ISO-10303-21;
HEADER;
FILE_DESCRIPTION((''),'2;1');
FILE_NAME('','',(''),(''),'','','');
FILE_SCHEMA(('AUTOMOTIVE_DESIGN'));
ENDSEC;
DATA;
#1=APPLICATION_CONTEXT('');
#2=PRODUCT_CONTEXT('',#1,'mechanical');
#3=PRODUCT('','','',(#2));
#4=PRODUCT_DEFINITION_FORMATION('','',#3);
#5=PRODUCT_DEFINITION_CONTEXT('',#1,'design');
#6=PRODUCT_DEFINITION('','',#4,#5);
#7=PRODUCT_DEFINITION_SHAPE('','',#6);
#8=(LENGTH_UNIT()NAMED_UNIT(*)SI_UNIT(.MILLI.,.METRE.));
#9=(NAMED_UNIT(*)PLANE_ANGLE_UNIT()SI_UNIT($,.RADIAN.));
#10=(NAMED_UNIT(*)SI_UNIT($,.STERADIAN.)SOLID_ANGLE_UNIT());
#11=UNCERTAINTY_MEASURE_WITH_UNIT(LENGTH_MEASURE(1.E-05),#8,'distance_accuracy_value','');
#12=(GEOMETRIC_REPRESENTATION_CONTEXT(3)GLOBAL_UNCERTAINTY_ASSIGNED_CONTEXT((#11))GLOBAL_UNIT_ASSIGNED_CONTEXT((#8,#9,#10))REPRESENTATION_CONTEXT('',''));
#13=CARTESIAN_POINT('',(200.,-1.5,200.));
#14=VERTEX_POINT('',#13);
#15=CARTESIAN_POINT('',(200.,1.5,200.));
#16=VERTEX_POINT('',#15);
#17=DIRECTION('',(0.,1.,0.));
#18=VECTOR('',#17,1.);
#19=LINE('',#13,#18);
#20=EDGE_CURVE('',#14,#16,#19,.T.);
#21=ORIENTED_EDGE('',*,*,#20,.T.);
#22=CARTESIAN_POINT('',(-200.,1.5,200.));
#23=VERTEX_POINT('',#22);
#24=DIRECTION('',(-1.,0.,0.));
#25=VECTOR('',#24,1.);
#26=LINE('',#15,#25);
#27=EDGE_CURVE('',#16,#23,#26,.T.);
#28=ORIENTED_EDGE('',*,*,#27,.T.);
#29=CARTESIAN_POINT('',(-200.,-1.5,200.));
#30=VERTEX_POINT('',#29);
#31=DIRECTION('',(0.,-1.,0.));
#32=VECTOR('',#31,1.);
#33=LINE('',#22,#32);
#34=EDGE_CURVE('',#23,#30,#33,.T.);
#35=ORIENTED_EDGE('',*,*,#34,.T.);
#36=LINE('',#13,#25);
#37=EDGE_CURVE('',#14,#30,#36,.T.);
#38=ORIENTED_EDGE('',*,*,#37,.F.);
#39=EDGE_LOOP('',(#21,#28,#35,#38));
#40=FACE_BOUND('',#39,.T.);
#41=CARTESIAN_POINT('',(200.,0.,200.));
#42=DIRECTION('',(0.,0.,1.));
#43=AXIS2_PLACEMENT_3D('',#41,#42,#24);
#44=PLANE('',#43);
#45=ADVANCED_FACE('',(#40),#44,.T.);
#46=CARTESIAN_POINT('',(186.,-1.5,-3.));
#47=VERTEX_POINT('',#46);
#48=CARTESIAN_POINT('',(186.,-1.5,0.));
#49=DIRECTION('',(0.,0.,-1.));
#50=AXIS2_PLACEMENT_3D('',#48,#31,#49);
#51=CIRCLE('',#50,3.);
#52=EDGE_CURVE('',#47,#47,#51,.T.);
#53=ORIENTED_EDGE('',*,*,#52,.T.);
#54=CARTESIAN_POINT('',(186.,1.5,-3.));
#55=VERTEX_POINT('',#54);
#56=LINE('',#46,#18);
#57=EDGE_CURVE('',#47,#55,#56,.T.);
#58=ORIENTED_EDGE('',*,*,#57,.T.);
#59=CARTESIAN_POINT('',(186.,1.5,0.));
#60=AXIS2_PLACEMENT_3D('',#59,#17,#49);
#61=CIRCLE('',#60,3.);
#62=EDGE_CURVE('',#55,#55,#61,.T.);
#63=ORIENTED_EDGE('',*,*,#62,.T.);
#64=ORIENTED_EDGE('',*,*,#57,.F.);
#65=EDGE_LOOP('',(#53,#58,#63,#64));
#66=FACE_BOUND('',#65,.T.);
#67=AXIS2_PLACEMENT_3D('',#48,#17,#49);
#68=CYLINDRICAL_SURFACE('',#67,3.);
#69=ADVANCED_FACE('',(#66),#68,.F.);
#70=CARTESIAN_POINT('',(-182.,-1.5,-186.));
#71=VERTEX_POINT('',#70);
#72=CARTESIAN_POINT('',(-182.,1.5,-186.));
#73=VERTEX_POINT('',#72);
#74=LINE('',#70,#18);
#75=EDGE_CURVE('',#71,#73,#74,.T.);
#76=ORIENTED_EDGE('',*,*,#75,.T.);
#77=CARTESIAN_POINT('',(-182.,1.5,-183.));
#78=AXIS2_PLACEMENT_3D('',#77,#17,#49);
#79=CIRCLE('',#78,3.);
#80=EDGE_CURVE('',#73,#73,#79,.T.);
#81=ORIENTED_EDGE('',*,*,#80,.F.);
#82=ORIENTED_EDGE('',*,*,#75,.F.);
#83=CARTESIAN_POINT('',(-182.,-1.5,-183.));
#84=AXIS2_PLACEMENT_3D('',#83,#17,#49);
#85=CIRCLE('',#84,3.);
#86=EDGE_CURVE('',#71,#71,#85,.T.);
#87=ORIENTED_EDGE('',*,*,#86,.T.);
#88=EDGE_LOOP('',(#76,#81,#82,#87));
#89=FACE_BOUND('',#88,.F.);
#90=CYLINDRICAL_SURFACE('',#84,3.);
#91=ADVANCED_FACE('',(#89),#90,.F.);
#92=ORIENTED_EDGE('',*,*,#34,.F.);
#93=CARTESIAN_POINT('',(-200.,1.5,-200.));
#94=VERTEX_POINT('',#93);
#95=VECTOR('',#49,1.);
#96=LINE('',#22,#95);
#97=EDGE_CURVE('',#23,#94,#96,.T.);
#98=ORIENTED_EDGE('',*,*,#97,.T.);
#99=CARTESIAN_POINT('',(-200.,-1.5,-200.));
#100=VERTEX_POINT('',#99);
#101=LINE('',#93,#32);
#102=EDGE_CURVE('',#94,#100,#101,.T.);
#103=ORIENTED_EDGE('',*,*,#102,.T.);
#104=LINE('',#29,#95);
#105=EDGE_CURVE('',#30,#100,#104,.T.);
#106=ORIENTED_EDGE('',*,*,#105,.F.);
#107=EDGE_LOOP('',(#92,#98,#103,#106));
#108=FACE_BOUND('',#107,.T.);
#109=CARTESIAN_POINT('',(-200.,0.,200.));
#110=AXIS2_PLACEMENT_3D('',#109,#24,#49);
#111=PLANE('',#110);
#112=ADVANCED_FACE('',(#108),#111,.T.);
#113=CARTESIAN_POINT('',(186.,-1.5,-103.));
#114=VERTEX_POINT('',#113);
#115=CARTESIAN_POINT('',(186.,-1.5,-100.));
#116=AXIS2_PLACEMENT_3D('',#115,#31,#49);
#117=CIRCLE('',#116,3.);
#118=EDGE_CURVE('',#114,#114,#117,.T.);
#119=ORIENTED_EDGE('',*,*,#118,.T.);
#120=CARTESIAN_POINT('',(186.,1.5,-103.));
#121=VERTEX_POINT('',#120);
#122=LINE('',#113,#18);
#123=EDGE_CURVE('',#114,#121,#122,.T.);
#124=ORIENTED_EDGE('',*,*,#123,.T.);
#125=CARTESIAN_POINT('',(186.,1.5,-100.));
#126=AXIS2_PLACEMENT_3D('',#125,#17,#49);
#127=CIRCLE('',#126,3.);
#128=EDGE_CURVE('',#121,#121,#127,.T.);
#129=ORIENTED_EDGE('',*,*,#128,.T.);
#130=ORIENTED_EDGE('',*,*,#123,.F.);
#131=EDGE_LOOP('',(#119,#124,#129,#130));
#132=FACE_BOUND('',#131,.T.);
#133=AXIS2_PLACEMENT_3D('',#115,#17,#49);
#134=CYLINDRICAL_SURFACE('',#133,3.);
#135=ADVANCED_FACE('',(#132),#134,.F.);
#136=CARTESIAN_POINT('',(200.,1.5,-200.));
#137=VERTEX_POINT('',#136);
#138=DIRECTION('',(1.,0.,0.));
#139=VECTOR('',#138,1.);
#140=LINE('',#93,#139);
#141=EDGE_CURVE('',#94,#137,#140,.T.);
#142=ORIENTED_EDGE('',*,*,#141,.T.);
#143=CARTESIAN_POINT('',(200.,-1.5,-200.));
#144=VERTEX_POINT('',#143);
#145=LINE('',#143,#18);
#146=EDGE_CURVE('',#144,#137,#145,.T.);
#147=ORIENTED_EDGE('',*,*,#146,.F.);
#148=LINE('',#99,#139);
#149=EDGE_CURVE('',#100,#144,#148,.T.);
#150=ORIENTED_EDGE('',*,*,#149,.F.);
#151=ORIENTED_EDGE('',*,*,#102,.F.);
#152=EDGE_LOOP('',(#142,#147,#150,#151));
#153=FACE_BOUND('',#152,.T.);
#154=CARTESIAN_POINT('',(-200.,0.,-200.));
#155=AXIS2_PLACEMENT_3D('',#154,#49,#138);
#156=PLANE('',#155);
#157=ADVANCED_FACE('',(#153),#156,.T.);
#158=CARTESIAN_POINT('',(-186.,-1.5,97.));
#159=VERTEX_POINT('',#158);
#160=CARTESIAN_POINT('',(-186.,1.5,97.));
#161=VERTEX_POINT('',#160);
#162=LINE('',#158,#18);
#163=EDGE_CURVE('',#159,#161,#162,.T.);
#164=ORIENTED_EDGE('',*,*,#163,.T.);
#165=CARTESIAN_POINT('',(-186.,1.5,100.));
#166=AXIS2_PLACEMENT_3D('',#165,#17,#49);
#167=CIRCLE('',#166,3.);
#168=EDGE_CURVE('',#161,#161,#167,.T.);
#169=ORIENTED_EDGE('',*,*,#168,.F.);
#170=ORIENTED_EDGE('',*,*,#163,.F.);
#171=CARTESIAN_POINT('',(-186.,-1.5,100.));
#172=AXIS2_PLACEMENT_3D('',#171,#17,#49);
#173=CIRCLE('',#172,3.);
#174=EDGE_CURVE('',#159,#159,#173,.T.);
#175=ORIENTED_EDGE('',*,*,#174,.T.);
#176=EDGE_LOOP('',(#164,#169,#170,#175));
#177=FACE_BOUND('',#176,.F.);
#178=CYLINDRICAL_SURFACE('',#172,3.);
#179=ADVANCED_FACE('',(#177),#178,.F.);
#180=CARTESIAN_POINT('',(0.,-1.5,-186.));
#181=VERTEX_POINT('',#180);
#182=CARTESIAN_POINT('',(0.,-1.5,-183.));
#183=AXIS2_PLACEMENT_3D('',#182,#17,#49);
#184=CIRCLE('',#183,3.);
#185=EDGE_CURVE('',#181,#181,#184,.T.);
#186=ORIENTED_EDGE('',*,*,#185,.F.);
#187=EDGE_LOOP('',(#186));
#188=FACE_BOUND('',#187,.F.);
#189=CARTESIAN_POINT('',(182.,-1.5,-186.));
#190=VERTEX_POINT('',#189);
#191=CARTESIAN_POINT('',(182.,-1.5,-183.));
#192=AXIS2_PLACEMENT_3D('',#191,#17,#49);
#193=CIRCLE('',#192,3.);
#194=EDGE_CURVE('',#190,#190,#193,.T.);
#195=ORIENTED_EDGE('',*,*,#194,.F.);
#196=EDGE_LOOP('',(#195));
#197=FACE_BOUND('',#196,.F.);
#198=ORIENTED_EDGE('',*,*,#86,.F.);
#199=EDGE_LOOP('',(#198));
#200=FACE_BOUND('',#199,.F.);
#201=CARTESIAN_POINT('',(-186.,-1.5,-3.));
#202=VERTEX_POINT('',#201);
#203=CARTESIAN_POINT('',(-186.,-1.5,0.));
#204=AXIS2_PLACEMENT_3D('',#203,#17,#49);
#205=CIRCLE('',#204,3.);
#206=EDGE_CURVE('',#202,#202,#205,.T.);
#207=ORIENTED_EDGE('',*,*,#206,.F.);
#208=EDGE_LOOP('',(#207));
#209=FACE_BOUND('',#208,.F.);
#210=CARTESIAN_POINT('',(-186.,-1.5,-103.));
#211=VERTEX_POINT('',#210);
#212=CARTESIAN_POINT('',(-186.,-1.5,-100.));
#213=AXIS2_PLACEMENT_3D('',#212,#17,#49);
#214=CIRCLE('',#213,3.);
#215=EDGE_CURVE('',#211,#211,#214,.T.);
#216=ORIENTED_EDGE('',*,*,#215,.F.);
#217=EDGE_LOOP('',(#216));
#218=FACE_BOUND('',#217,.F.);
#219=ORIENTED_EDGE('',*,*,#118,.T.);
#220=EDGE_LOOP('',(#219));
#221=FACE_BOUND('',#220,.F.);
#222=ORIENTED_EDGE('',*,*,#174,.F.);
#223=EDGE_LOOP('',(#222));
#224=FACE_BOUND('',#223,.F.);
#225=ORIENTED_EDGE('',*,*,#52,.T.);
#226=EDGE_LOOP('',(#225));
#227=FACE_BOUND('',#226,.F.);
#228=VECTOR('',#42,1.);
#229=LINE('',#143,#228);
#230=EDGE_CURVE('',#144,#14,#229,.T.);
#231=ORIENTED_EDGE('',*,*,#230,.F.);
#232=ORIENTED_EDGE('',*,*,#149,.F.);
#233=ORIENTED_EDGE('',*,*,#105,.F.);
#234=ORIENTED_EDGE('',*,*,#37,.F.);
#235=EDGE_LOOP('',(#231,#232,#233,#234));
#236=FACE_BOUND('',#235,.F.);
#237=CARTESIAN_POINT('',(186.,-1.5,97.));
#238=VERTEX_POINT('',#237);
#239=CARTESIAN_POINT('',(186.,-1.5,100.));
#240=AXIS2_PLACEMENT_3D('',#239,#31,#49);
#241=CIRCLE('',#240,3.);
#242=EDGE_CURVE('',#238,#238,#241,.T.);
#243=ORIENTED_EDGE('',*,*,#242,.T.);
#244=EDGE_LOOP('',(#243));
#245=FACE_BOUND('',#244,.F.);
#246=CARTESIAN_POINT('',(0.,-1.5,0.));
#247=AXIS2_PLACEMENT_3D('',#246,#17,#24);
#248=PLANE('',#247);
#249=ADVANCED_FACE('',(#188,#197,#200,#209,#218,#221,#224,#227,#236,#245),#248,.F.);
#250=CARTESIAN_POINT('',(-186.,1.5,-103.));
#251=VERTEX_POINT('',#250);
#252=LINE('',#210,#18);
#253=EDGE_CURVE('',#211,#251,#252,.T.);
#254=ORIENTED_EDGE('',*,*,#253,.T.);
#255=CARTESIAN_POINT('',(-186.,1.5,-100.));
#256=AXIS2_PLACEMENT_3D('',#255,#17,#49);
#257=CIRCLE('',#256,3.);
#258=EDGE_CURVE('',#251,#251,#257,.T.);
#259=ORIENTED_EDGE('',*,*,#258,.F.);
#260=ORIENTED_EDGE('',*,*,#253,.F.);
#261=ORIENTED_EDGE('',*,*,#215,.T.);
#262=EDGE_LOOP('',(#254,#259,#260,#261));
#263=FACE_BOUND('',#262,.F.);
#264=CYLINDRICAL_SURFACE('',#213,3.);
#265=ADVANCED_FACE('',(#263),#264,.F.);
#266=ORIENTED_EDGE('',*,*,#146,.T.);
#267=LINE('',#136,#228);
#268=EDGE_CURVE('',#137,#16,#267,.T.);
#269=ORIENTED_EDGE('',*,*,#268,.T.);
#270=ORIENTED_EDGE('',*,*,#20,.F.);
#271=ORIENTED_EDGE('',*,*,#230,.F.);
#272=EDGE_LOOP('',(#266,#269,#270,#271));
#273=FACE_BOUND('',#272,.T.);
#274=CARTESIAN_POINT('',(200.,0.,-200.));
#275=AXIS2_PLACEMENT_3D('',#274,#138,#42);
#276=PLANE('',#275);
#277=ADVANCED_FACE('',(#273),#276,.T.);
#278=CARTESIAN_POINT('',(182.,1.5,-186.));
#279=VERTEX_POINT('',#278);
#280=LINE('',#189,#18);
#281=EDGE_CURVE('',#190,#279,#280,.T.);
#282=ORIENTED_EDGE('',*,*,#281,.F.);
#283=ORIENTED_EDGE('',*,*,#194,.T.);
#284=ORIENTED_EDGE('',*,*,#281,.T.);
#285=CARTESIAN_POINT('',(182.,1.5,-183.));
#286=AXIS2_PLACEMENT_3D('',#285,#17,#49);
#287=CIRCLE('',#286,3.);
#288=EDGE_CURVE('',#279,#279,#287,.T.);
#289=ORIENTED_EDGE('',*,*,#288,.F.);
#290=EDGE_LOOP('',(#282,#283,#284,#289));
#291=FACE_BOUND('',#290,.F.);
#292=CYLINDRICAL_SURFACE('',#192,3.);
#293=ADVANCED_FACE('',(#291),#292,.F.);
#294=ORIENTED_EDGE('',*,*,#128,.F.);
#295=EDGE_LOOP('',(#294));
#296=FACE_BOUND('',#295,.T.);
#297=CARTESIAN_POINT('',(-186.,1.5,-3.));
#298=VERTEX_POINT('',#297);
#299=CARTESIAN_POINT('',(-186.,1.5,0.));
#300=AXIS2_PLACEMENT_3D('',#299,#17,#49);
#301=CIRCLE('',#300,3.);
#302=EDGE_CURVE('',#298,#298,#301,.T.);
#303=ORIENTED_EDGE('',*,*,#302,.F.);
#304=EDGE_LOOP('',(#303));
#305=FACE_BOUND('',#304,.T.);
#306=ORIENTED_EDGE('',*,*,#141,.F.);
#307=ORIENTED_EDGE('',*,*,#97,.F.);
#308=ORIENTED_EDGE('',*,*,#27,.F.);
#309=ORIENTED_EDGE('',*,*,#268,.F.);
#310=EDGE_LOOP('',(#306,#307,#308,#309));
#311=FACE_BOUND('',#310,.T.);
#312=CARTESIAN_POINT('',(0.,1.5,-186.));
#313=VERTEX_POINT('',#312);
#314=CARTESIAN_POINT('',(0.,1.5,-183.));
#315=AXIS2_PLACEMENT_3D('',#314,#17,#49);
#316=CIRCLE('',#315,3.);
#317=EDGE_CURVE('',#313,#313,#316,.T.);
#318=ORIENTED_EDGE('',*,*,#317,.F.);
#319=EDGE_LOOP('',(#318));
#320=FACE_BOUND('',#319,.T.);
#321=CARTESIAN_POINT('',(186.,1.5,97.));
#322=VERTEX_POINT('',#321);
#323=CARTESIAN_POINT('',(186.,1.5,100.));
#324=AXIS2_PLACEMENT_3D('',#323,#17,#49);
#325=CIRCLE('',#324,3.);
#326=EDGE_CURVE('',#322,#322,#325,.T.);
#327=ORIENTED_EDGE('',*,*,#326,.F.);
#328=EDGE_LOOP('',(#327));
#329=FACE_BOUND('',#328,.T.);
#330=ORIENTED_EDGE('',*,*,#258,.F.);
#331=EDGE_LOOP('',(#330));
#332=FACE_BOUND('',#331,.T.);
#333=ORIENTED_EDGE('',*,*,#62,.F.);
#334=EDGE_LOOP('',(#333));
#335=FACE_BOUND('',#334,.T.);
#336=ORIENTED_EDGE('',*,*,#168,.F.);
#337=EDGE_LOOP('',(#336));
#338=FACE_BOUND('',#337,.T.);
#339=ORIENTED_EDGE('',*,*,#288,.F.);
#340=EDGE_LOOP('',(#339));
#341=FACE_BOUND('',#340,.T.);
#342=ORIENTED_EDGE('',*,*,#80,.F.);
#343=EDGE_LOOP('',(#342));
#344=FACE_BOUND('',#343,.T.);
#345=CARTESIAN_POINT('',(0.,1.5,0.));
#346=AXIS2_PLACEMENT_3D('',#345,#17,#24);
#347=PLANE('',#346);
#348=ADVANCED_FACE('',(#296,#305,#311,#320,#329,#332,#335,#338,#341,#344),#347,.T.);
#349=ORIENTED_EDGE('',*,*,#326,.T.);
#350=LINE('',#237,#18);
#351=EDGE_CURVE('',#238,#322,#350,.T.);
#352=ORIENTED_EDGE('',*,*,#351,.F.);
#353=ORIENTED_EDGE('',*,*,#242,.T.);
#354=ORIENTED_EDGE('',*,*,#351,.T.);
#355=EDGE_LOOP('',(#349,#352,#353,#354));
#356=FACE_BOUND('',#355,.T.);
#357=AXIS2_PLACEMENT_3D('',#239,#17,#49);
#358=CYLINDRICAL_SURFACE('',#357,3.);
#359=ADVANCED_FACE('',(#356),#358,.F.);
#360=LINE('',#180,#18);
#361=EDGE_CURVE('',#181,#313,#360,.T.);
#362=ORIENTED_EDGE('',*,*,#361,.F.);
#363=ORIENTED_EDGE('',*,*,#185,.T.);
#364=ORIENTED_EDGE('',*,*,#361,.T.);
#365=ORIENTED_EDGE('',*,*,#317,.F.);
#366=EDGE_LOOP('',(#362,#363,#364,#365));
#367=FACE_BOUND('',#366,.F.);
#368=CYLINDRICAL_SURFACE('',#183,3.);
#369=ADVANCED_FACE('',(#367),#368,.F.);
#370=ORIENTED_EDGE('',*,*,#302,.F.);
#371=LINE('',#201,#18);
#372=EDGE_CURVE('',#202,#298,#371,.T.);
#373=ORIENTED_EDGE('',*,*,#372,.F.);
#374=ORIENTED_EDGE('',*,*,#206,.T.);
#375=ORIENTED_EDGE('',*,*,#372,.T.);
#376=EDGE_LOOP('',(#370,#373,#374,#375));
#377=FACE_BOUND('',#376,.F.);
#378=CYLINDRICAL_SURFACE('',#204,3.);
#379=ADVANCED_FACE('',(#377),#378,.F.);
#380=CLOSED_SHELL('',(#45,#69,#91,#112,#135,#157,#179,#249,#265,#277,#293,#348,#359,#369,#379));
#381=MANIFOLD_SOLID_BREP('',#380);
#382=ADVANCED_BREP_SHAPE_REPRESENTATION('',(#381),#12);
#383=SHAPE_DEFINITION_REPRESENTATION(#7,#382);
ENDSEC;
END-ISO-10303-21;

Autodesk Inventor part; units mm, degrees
ref_plane "YZ Plane" through (0, 0, 0) normal (1, 0, 0) x (0, 1, 0)
ref_plane "XZ Plane" through (0, 0, 0) normal (0, 1, 0) x (-1, 0, 0)
ref_plane "XY Plane" through (0, 0, 0) normal (0, 0, 1) x (1, 0, 0)
sketch "Sketch1" plane through (0, 0, 0) normal (0, 1, 0) x (-1, 0, 0)
  line L0 (-200, 200) -> (200, 200)
  line L1 (200, 200) -> (200, -200)
  line L2 (200, -200) -> (-200, -200)
  line L3 (-200, -200) -> (-200, 200)
  line L4 (-200, 200) -> (200, -200) construction
  line L5 (200, 200) -> (-200, -200) construction
  point P0 (0, 0)
  dimension "d0" = 400
extrude "Extrusion1" add sketch "Sketch1" along normal mid plane 3
sketch "Sketch2" plane through (0, -1.5, 0) normal (0, -1, 0) x (1, 0, 0)
  line L0 (-200, -200) -> (200, -200) projected
  point P0 (0, 0)
  point P1 (-182, -183)
  point P2 (0, -183)
  point P3 (182, -183)
  dimension "d3" = 182
  dimension "d4" = 182
  dimension "d5" = 17
hole "Hole1" at (-182, -1.5, -183) at (0, -1.5, -183) at (182, -1.5, -183) direction (0, 1, 0) diameter 6 depth 14.2 tip angle 118
sketch "Sketch3" plane through (0, -1.5, 0) normal (0, -1, 0) x (1, 0, 0)
  line L0 (200, 200) -> (-200, 200) projected
  line L1 (-200, 200) -> (-200, -200) projected
  point P0 (0, 0)
  point P1 (-186, 100)
  point P2 (-186, 0)
  point P3 (-186, -100)
  dimension "d13" = 100
  dimension "d14" = 100
  dimension "d15" = 100
  dimension "d16" = 14
hole "Hole2" at (-186, -1.5, 100) at (-186, -1.5, 0) at (-186, -1.5, -100) direction (0, 1, 0) diameter 6 depth 14.2 tip angle 118
mirror "Mirror1" about plane through (0, 0, 0) normal (1, 0, 0) of "Hole2"
equation "\"d4\" = d3"
equation "\"d14\" = d13"
equation "\"d15\" = d14"
properties part number "HCMUTE-CDT23-KXL_A02" material "PMMA Plastic"
